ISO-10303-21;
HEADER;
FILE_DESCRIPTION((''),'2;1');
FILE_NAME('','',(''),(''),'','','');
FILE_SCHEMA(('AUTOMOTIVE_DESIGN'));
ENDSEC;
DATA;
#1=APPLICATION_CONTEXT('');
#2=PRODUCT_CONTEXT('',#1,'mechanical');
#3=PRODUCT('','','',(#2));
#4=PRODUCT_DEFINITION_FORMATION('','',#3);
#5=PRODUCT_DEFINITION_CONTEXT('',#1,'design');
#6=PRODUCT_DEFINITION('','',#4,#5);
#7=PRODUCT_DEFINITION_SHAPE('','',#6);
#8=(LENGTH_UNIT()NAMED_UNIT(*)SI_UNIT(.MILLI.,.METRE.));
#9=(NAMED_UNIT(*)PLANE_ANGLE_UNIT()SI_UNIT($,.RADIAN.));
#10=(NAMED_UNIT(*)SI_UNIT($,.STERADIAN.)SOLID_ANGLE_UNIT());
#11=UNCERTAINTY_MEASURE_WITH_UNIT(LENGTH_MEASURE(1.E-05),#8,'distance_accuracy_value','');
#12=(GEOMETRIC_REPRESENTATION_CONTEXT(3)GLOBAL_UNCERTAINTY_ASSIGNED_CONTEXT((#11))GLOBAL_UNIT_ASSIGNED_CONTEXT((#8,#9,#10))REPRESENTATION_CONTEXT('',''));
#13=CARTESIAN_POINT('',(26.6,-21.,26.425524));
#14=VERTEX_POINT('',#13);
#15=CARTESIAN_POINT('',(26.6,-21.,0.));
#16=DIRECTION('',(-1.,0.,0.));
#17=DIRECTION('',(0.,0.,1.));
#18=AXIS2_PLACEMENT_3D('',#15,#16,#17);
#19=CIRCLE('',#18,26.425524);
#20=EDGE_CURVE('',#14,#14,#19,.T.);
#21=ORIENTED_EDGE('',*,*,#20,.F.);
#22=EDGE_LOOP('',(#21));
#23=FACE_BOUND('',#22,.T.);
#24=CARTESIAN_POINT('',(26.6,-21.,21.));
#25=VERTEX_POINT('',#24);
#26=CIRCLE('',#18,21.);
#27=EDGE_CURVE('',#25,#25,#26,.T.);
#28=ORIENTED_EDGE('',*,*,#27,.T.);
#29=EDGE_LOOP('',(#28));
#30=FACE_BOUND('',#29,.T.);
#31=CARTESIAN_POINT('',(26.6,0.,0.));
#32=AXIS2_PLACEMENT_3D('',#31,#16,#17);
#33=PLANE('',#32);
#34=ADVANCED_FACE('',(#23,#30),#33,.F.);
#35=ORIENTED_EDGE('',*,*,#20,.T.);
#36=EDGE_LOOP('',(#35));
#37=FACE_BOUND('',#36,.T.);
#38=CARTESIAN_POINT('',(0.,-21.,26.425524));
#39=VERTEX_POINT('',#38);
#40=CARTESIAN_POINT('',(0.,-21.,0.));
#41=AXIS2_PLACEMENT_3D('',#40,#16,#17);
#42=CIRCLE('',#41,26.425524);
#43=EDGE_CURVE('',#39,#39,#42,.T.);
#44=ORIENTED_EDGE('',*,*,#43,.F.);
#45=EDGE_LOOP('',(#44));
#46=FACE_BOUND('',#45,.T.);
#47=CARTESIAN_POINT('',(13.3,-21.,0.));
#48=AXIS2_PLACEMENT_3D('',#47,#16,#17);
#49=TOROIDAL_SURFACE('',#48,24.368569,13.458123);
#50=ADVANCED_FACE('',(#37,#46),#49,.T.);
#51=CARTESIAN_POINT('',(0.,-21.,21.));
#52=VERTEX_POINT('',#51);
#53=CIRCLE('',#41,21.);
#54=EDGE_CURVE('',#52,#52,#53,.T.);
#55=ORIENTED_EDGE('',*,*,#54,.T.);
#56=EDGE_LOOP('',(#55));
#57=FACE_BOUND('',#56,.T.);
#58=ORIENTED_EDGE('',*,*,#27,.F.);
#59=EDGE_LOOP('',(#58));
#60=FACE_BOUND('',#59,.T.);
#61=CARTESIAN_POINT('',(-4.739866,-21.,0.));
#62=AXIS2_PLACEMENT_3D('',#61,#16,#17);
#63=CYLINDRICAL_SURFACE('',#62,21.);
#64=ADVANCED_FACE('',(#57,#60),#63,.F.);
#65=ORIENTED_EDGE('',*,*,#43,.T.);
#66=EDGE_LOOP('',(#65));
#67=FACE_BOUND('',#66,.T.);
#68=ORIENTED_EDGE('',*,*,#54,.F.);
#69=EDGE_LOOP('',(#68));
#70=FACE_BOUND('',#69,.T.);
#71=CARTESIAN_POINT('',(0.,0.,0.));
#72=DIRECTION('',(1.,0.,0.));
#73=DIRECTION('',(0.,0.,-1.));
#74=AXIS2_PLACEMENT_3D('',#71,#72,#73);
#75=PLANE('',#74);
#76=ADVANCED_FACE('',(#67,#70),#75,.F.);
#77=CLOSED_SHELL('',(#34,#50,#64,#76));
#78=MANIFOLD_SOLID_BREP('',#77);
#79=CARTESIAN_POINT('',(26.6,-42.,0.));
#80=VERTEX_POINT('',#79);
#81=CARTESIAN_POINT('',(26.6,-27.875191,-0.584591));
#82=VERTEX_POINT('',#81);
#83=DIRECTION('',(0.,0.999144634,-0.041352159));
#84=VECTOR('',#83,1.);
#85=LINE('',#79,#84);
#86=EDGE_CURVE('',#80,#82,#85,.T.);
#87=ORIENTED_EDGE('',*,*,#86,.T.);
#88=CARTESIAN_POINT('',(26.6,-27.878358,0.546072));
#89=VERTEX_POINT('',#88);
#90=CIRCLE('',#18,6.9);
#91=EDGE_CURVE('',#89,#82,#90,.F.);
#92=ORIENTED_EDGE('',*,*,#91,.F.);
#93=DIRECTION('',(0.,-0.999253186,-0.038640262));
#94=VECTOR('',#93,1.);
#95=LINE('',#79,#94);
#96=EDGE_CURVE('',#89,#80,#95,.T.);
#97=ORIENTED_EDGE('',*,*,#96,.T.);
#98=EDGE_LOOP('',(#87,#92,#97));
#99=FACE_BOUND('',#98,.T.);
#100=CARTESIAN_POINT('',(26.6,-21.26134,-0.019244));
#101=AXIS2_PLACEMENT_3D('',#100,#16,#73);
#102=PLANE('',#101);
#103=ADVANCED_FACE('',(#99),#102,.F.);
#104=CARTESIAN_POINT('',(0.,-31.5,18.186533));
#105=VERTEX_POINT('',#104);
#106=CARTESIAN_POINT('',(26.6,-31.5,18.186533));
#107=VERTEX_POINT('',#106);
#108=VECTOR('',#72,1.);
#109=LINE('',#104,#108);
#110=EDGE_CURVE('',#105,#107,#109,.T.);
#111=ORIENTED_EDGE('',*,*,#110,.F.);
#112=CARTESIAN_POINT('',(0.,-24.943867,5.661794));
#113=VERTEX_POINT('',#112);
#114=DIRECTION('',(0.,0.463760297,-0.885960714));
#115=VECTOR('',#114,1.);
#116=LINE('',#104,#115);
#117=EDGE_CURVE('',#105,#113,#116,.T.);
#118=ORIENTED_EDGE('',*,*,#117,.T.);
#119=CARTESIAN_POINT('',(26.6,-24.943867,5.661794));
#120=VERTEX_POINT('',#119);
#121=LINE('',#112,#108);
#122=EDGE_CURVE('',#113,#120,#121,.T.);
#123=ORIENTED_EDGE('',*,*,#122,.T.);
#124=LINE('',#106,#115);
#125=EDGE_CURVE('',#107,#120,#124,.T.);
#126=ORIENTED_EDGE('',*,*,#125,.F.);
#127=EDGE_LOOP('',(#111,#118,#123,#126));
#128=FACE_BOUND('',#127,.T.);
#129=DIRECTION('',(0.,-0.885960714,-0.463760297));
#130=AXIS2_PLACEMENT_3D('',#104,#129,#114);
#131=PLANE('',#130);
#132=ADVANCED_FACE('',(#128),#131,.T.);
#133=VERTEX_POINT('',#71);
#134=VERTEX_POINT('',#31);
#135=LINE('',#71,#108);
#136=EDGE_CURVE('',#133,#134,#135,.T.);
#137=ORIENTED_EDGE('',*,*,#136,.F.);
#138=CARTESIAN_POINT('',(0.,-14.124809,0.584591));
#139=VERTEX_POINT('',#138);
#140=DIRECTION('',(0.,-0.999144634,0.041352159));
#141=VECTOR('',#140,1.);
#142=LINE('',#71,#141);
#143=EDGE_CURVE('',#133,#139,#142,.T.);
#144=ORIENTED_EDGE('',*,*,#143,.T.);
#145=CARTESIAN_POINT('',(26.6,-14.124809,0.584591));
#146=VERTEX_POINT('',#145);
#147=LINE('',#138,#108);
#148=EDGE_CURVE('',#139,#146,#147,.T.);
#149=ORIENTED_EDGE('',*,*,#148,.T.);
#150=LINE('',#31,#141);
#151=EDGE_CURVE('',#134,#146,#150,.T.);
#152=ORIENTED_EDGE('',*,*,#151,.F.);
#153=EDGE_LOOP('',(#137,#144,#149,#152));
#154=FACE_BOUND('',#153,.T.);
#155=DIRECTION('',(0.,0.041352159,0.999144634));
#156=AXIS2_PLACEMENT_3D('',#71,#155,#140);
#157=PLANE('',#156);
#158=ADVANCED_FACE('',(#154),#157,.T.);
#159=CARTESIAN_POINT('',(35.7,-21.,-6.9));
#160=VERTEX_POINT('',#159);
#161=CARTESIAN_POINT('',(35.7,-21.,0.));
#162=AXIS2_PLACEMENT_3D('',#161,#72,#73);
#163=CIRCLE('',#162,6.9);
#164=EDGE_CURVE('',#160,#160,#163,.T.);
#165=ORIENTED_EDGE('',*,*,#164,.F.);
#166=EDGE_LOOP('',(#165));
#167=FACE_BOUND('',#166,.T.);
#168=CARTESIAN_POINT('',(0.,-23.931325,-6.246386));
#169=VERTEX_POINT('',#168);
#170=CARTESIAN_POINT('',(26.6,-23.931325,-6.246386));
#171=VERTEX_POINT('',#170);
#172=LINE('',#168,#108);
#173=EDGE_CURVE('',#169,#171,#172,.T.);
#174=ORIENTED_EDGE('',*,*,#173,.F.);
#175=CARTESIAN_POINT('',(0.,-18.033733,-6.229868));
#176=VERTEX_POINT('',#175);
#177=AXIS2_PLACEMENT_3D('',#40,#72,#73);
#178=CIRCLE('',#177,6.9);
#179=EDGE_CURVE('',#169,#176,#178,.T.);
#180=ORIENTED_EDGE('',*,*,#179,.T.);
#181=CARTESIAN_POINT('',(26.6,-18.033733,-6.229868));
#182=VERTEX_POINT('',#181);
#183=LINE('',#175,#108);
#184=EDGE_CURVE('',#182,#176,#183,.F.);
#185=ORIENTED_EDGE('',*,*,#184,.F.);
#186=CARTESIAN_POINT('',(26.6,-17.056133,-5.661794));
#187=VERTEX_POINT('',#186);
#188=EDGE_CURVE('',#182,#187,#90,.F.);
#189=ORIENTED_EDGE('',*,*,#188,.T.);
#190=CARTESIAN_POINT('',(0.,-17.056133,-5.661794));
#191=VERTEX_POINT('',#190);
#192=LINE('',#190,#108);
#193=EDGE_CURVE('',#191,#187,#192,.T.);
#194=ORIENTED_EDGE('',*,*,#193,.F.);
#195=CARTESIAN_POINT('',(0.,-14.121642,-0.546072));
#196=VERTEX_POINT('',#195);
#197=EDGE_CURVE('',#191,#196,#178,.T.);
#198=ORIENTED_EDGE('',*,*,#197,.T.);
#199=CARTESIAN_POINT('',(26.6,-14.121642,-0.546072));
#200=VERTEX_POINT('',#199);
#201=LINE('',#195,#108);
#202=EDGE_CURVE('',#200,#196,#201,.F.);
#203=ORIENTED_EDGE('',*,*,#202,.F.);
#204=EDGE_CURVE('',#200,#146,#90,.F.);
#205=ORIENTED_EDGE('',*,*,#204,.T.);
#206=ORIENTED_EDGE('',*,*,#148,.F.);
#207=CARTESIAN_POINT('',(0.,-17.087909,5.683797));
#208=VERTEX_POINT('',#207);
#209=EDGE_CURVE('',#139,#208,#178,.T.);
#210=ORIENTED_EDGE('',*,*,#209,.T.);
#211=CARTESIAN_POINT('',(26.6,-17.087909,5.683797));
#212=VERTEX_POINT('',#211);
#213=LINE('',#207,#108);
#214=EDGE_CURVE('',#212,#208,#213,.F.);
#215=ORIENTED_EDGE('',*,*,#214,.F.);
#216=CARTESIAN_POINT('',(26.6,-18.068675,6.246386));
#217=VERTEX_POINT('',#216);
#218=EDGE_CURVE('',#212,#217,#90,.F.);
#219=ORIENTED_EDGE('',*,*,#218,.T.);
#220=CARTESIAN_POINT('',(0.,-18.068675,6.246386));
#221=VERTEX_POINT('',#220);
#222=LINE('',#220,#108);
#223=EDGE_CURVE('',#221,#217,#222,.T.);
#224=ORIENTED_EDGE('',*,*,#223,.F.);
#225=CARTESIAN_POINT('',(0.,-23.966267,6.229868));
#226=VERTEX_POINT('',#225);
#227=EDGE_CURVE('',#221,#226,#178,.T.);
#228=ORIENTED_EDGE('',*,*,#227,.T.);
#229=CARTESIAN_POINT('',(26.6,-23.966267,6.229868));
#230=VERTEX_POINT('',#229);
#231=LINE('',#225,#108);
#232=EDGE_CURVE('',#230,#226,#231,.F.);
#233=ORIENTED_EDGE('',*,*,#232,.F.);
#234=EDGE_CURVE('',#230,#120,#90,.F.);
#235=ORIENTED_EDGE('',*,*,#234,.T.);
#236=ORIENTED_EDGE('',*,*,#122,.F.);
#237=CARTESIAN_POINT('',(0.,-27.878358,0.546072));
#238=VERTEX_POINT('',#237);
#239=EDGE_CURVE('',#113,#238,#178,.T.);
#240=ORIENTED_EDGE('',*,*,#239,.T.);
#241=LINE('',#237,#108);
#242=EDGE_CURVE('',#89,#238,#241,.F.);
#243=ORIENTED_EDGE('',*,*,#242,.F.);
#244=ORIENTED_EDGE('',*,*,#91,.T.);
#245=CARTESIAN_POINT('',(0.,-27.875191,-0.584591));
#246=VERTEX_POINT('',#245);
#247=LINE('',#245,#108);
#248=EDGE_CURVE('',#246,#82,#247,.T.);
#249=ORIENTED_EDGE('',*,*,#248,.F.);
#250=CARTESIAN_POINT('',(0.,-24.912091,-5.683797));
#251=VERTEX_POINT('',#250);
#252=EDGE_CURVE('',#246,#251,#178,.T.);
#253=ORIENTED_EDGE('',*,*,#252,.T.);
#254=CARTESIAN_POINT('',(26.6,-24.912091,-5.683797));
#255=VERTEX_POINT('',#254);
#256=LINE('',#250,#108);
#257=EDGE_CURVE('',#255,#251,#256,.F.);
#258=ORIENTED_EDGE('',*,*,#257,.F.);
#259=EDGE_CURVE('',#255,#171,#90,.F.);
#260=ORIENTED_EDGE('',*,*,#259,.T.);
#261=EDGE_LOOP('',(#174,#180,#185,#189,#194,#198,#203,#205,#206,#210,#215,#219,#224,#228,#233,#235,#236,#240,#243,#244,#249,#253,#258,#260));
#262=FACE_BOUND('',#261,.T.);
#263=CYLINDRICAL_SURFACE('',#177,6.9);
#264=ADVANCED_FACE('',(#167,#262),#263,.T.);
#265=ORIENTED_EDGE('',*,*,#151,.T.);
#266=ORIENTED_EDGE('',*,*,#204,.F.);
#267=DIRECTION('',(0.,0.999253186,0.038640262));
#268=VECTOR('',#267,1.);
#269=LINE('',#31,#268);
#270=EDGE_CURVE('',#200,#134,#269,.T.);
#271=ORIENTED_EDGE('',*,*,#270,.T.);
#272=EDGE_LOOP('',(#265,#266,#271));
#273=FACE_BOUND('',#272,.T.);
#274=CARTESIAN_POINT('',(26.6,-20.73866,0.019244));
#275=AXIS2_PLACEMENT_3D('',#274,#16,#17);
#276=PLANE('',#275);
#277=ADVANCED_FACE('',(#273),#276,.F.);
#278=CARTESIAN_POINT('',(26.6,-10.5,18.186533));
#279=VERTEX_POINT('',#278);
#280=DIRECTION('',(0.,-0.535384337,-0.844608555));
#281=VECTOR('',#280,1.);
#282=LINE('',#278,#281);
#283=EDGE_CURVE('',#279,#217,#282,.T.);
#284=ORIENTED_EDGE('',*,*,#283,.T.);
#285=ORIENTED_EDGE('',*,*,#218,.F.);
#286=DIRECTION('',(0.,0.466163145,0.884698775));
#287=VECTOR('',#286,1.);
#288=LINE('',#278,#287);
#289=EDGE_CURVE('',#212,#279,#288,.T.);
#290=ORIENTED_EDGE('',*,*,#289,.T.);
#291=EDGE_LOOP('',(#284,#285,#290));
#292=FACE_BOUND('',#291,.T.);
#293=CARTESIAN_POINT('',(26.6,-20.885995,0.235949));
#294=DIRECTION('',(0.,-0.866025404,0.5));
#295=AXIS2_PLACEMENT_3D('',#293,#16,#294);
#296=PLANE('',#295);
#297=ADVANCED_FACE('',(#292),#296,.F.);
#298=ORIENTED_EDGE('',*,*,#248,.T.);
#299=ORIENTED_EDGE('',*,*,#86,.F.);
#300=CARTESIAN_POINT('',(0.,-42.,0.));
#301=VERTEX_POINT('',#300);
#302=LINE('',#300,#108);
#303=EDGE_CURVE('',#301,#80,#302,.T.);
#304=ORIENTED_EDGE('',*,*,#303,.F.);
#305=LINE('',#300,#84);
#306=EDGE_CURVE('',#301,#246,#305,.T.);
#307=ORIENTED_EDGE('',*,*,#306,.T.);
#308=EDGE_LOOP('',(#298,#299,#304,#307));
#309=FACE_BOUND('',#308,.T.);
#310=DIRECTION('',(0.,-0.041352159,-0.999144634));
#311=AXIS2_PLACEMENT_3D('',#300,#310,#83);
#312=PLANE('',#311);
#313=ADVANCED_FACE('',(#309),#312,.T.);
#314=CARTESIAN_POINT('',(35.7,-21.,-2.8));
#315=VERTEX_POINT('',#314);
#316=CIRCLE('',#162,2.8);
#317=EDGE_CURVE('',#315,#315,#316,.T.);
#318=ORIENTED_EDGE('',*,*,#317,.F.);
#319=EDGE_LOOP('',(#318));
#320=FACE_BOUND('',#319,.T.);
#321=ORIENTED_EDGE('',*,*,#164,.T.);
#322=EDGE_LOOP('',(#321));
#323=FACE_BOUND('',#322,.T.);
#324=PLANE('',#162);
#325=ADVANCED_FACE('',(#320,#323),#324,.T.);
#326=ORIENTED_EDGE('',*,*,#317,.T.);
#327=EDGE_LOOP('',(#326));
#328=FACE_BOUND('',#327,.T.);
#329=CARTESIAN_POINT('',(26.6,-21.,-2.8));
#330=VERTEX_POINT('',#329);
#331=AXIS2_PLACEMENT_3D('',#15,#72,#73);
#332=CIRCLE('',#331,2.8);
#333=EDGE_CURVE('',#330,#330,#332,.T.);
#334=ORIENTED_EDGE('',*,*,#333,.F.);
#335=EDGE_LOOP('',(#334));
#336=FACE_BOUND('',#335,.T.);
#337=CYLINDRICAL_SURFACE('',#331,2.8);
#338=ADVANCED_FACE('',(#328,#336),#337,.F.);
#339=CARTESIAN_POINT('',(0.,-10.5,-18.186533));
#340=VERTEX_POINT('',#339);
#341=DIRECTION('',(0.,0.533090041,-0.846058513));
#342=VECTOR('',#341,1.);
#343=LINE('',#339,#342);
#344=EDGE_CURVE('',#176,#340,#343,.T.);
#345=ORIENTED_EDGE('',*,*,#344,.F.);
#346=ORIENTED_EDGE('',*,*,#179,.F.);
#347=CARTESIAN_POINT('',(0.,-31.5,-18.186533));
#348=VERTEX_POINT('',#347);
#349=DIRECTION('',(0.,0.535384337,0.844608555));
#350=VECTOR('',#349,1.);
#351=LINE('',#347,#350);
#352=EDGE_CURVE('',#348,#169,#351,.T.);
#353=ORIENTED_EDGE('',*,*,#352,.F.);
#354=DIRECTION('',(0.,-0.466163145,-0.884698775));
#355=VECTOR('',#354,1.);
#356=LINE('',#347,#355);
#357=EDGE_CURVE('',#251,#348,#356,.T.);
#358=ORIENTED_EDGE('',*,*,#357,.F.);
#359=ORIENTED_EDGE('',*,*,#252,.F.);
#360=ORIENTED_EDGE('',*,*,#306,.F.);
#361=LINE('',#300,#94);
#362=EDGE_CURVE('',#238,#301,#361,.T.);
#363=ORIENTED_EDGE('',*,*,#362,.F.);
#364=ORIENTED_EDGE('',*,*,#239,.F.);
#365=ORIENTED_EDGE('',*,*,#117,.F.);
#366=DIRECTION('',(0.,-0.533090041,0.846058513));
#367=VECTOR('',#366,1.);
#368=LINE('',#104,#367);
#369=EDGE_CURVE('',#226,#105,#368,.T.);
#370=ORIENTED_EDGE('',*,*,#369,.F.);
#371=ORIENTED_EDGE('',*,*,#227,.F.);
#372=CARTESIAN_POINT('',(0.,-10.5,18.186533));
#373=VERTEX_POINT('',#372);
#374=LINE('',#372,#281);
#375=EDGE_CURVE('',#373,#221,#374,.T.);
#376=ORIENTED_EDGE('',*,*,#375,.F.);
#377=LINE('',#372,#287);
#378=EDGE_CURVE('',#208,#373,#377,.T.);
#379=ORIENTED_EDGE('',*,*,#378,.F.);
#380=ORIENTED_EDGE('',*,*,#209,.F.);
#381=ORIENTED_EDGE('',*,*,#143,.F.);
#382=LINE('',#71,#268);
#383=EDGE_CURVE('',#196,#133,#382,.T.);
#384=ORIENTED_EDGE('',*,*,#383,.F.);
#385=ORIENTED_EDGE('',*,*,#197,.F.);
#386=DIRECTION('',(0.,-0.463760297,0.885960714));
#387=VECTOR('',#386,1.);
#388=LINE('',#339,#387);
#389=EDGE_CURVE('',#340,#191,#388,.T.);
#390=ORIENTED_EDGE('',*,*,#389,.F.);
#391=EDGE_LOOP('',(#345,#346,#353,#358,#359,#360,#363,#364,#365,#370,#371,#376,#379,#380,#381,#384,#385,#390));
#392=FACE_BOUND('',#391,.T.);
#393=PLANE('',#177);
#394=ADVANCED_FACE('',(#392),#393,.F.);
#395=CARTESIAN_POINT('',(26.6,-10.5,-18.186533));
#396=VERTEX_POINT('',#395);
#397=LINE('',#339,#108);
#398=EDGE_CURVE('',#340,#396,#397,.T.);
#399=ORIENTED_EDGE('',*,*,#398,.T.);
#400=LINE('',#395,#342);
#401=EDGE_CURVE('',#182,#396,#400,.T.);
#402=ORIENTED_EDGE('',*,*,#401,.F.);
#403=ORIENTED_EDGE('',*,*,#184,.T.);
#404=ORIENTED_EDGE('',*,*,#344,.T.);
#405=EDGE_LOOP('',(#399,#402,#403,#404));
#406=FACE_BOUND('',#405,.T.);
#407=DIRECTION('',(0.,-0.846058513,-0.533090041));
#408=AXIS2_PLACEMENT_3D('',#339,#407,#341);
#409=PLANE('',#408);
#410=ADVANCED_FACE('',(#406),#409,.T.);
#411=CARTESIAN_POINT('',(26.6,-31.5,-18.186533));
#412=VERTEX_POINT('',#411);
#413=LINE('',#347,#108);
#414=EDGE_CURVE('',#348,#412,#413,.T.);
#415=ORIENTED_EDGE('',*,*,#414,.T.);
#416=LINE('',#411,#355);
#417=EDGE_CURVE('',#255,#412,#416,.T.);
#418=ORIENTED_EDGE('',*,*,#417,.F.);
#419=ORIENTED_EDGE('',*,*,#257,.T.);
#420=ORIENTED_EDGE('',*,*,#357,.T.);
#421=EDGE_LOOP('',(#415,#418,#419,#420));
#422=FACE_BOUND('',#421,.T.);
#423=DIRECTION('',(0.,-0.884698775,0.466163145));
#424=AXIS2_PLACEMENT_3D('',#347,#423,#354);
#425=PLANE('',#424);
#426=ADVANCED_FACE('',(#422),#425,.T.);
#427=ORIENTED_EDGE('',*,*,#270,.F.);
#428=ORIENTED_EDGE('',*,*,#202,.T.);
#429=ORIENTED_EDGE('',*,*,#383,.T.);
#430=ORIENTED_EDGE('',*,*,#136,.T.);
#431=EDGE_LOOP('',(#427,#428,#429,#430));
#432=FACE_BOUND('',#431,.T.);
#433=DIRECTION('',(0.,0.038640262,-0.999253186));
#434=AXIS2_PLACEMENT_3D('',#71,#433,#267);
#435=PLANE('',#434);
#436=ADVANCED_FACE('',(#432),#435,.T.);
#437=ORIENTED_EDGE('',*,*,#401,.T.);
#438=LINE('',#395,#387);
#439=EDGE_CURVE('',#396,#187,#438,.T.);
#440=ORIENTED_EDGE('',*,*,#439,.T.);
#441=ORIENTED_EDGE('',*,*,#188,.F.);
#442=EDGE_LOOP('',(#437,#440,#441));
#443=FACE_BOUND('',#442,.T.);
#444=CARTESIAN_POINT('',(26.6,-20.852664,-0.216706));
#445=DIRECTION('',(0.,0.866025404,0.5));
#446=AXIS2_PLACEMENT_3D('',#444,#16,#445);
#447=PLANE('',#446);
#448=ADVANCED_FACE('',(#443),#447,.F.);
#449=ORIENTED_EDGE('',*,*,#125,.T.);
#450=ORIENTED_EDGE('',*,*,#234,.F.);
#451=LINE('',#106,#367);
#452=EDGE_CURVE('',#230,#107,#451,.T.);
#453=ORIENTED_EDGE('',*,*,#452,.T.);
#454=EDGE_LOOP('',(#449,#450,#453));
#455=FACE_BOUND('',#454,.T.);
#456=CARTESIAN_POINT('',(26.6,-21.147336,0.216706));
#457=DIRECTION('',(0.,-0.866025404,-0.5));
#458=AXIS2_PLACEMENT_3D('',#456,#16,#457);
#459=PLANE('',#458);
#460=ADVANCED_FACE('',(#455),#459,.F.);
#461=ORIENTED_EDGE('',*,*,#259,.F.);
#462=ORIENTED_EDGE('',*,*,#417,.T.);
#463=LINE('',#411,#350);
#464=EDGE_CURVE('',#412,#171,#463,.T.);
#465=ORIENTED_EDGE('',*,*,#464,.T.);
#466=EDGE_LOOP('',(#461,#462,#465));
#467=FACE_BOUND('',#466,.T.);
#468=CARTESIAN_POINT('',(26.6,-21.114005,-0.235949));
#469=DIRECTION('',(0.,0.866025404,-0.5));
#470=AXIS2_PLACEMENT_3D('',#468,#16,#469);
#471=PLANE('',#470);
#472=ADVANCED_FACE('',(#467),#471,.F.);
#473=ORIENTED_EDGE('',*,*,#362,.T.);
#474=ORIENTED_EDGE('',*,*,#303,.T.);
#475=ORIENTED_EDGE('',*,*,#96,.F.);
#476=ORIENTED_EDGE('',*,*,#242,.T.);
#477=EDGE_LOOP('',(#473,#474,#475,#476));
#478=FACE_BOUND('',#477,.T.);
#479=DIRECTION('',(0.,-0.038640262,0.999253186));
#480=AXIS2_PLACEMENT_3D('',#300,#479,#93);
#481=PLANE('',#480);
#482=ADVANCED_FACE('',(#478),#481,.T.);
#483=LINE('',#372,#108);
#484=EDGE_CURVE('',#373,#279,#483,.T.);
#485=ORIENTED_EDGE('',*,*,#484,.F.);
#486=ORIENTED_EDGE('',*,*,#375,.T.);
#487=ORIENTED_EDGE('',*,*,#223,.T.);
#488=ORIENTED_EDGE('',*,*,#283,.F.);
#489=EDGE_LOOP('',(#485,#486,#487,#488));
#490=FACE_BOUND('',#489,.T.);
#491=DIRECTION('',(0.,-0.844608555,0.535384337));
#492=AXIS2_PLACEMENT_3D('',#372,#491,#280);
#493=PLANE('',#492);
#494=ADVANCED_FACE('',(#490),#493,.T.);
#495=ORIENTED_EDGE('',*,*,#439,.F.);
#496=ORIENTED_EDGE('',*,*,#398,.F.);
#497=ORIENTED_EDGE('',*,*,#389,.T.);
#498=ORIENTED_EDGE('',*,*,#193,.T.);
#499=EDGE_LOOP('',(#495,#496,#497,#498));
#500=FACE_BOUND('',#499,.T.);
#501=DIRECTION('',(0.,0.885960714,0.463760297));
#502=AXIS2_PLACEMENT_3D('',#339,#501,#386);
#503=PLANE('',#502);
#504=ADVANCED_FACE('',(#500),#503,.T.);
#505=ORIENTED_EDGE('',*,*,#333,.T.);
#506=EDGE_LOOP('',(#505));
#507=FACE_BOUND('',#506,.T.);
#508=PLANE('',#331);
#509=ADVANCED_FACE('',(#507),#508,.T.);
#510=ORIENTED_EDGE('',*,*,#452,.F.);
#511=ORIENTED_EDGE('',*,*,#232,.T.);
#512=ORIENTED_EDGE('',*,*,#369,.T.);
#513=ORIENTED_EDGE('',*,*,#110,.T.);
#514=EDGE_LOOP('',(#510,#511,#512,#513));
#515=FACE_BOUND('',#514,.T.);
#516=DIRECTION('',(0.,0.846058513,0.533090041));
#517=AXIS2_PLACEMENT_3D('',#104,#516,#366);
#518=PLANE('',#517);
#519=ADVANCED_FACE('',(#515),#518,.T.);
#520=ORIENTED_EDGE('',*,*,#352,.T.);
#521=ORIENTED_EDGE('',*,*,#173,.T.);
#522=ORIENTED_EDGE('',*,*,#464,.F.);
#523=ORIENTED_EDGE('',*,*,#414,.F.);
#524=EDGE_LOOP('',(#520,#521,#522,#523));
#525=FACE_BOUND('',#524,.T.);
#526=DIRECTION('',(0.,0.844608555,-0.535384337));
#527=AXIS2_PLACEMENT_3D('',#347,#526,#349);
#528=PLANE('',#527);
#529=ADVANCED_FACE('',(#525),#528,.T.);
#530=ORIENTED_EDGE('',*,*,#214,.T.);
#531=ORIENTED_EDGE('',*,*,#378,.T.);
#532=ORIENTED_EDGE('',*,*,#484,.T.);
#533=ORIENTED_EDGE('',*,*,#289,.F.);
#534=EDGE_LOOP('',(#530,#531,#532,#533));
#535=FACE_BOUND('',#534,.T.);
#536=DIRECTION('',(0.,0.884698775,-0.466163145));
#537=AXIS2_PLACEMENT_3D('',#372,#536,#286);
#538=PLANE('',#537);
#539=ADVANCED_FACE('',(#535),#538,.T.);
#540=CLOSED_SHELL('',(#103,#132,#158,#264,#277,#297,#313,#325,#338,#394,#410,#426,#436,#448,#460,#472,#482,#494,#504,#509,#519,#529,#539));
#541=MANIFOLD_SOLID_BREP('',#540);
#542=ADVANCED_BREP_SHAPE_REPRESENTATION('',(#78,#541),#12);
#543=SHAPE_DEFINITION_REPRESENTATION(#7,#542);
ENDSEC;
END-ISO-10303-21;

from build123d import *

# Parameters (mm, degrees)
BOSS_EXTRUDE1_DEPTH      = 9.1
BOSS_EXTRUDE1_DEPTH_BACK = 26.6
SKETCH13_R               = 6.9
SKETCH14_R               = 2.8
CUT_EXTRUDE1_DEPTH       = 9.1
BOSS_EXTRUDE2_DEPTH      = 26.6
CIRPATTERN1_COUNT        = 6


with BuildPart() as part:
    # Sketch1 → Revolve10 (revolve)
    with BuildSketch(Plane.XY, mode=Mode.PRIVATE) as revolve10_sk:
        with BuildLine():
            Line((0, 0), (26.6, 0))
            Line((26.6, 0), (26.6, 5.425523727))
            ThreePointArc((26.6, 5.425523727), (13.3, 16.826691133), (0, 5.425523727))
            Line((0, 5.425523727), (0, 0))
        make_face()
    revolve(revolve10_sk.sketch.rotate(Axis((-4.739866393, -21, 0), (1, 0, 0)), 90), axis=Axis((-4.739866393, -21, 0), (1, 0, 0)))


with BuildPart() as body_2:
    # Sketch13 → Boss-Extrude1 (new, two sides: drawn at the far end of the back side and taken through both)
    with BuildSketch(Plane(origin=(26.6, 0, 0), x_dir=(0, 0, -1), z_dir=(1, 0, 0)).offset(-BOSS_EXTRUDE1_DEPTH_BACK)):
        with Locations((0, -21)):
            Circle(SKETCH13_R)
    extrude(amount=BOSS_EXTRUDE1_DEPTH + BOSS_EXTRUDE1_DEPTH_BACK)

    # Sketch14 → Cut-Extrude1 (cut)
    with BuildSketch(Plane(origin=(35.7, 0, 0), x_dir=(0, 0, -1), z_dir=(1, 0, 0))):
        with Locations((0, -21)):
            Circle(SKETCH14_R)
    extrude(amount=-CUT_EXTRUDE1_DEPTH, mode=Mode.SUBTRACT)

    # Sketch16 → Boss-Extrude2 (add)
    with BuildSketch(Plane(origin=(26.6, 0, 0), x_dir=(0, 0, -1), z_dir=(1, 0, 0))):
        with BuildLine():
            Line((0, 0), (-0.585969551, -14.158107951))
            ThreePointArc((-0.585969551, -14.158107951), (-0.019243844, -14.133749454), (0.547481863, -14.158107951))
            Line((0.547481863, -14.158107951), (0, 0))
        make_face()
    boss_extrude2 = extrude(amount=-BOSS_EXTRUDE2_DEPTH)

    # CirPattern1: Boss-Extrude2 ×6 about axis
    cirpattern1_axis = Axis((0, -21, 0), (1, 0, 0))
    for i in range(1, CIRPATTERN1_COUNT):
        add(boss_extrude2.rotate(cirpattern1_axis, i * 360 / CIRPATTERN1_COUNT))


solid = Compound([part.part, body_2.part])
